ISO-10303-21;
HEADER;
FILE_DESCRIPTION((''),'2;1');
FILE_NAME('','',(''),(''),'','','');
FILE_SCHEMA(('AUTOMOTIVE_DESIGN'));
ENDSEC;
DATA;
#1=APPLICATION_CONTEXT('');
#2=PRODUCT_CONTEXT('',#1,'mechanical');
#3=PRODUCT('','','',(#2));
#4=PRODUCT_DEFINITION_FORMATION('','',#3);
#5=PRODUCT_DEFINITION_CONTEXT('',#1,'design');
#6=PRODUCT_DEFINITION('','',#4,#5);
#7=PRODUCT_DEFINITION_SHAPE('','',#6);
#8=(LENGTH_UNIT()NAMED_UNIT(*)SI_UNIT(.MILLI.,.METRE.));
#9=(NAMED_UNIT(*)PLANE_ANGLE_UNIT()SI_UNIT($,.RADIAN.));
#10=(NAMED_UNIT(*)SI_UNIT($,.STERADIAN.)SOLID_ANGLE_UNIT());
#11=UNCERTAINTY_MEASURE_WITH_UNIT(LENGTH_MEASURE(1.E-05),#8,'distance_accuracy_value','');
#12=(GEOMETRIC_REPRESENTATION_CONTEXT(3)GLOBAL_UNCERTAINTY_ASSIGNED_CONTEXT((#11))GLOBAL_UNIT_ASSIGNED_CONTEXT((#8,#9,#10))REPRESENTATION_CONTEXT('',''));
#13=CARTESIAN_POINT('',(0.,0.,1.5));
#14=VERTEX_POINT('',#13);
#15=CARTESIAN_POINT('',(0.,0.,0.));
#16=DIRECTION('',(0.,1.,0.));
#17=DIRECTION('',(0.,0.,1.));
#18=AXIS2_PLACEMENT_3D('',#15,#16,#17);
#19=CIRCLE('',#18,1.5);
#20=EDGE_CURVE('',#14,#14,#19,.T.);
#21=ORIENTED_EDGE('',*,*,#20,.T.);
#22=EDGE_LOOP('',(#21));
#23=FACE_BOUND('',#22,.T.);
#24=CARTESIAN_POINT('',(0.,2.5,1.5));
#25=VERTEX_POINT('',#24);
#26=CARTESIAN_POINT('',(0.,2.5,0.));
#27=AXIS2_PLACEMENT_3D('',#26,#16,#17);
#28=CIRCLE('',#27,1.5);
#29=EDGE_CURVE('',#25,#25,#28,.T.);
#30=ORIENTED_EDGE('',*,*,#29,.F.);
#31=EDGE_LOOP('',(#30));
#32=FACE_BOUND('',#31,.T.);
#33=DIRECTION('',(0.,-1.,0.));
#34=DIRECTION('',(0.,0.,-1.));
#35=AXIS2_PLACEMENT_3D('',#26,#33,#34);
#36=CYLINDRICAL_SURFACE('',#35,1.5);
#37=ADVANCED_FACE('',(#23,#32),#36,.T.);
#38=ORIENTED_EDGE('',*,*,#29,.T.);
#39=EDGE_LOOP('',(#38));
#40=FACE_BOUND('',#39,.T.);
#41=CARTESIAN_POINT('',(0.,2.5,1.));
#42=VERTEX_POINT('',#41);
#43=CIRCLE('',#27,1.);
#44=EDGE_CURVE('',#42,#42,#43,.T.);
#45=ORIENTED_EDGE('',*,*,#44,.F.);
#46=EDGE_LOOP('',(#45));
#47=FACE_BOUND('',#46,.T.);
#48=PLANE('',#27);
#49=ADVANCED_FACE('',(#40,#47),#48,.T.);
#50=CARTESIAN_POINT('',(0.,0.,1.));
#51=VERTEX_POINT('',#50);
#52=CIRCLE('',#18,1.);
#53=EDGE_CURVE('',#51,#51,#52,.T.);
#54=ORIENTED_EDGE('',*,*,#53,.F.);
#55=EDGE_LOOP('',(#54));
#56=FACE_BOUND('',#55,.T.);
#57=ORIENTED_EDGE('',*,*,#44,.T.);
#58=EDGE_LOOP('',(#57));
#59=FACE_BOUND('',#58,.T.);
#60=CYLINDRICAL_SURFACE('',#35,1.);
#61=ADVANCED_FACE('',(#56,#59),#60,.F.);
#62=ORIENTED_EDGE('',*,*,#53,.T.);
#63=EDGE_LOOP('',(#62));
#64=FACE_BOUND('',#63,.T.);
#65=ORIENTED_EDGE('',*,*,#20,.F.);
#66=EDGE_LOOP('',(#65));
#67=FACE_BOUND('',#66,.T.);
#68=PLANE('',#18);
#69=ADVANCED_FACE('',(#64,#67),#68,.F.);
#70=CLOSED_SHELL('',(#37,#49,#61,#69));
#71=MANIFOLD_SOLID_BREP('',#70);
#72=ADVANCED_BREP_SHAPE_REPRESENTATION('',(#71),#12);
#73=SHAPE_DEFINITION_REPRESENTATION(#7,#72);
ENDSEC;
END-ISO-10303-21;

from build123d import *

# Parameters (mm, degrees)
SKETCH_1_R      = 1.5
SKETCH_1_R_2    = 1
EXTRUDE_1_DEPTH = 2.5


with BuildPart() as part:
    # Эскиз1 → Бобышка-Вытянуть1 (new body)
    with BuildSketch(Plane(origin=(0, 0, 0), x_dir=(1, 0, 0), z_dir=(0, 1, 0))):
        with Locations(Location((0, 0, 0), (0, 0, 270))):
            Circle(SKETCH_1_R)
        with Locations(Location((0, 0, 0), (0, 0, 270))):
            Circle(SKETCH_1_R_2, mode=Mode.SUBTRACT)
    extrude(amount=EXTRUDE_1_DEPTH)


solid = part.part
